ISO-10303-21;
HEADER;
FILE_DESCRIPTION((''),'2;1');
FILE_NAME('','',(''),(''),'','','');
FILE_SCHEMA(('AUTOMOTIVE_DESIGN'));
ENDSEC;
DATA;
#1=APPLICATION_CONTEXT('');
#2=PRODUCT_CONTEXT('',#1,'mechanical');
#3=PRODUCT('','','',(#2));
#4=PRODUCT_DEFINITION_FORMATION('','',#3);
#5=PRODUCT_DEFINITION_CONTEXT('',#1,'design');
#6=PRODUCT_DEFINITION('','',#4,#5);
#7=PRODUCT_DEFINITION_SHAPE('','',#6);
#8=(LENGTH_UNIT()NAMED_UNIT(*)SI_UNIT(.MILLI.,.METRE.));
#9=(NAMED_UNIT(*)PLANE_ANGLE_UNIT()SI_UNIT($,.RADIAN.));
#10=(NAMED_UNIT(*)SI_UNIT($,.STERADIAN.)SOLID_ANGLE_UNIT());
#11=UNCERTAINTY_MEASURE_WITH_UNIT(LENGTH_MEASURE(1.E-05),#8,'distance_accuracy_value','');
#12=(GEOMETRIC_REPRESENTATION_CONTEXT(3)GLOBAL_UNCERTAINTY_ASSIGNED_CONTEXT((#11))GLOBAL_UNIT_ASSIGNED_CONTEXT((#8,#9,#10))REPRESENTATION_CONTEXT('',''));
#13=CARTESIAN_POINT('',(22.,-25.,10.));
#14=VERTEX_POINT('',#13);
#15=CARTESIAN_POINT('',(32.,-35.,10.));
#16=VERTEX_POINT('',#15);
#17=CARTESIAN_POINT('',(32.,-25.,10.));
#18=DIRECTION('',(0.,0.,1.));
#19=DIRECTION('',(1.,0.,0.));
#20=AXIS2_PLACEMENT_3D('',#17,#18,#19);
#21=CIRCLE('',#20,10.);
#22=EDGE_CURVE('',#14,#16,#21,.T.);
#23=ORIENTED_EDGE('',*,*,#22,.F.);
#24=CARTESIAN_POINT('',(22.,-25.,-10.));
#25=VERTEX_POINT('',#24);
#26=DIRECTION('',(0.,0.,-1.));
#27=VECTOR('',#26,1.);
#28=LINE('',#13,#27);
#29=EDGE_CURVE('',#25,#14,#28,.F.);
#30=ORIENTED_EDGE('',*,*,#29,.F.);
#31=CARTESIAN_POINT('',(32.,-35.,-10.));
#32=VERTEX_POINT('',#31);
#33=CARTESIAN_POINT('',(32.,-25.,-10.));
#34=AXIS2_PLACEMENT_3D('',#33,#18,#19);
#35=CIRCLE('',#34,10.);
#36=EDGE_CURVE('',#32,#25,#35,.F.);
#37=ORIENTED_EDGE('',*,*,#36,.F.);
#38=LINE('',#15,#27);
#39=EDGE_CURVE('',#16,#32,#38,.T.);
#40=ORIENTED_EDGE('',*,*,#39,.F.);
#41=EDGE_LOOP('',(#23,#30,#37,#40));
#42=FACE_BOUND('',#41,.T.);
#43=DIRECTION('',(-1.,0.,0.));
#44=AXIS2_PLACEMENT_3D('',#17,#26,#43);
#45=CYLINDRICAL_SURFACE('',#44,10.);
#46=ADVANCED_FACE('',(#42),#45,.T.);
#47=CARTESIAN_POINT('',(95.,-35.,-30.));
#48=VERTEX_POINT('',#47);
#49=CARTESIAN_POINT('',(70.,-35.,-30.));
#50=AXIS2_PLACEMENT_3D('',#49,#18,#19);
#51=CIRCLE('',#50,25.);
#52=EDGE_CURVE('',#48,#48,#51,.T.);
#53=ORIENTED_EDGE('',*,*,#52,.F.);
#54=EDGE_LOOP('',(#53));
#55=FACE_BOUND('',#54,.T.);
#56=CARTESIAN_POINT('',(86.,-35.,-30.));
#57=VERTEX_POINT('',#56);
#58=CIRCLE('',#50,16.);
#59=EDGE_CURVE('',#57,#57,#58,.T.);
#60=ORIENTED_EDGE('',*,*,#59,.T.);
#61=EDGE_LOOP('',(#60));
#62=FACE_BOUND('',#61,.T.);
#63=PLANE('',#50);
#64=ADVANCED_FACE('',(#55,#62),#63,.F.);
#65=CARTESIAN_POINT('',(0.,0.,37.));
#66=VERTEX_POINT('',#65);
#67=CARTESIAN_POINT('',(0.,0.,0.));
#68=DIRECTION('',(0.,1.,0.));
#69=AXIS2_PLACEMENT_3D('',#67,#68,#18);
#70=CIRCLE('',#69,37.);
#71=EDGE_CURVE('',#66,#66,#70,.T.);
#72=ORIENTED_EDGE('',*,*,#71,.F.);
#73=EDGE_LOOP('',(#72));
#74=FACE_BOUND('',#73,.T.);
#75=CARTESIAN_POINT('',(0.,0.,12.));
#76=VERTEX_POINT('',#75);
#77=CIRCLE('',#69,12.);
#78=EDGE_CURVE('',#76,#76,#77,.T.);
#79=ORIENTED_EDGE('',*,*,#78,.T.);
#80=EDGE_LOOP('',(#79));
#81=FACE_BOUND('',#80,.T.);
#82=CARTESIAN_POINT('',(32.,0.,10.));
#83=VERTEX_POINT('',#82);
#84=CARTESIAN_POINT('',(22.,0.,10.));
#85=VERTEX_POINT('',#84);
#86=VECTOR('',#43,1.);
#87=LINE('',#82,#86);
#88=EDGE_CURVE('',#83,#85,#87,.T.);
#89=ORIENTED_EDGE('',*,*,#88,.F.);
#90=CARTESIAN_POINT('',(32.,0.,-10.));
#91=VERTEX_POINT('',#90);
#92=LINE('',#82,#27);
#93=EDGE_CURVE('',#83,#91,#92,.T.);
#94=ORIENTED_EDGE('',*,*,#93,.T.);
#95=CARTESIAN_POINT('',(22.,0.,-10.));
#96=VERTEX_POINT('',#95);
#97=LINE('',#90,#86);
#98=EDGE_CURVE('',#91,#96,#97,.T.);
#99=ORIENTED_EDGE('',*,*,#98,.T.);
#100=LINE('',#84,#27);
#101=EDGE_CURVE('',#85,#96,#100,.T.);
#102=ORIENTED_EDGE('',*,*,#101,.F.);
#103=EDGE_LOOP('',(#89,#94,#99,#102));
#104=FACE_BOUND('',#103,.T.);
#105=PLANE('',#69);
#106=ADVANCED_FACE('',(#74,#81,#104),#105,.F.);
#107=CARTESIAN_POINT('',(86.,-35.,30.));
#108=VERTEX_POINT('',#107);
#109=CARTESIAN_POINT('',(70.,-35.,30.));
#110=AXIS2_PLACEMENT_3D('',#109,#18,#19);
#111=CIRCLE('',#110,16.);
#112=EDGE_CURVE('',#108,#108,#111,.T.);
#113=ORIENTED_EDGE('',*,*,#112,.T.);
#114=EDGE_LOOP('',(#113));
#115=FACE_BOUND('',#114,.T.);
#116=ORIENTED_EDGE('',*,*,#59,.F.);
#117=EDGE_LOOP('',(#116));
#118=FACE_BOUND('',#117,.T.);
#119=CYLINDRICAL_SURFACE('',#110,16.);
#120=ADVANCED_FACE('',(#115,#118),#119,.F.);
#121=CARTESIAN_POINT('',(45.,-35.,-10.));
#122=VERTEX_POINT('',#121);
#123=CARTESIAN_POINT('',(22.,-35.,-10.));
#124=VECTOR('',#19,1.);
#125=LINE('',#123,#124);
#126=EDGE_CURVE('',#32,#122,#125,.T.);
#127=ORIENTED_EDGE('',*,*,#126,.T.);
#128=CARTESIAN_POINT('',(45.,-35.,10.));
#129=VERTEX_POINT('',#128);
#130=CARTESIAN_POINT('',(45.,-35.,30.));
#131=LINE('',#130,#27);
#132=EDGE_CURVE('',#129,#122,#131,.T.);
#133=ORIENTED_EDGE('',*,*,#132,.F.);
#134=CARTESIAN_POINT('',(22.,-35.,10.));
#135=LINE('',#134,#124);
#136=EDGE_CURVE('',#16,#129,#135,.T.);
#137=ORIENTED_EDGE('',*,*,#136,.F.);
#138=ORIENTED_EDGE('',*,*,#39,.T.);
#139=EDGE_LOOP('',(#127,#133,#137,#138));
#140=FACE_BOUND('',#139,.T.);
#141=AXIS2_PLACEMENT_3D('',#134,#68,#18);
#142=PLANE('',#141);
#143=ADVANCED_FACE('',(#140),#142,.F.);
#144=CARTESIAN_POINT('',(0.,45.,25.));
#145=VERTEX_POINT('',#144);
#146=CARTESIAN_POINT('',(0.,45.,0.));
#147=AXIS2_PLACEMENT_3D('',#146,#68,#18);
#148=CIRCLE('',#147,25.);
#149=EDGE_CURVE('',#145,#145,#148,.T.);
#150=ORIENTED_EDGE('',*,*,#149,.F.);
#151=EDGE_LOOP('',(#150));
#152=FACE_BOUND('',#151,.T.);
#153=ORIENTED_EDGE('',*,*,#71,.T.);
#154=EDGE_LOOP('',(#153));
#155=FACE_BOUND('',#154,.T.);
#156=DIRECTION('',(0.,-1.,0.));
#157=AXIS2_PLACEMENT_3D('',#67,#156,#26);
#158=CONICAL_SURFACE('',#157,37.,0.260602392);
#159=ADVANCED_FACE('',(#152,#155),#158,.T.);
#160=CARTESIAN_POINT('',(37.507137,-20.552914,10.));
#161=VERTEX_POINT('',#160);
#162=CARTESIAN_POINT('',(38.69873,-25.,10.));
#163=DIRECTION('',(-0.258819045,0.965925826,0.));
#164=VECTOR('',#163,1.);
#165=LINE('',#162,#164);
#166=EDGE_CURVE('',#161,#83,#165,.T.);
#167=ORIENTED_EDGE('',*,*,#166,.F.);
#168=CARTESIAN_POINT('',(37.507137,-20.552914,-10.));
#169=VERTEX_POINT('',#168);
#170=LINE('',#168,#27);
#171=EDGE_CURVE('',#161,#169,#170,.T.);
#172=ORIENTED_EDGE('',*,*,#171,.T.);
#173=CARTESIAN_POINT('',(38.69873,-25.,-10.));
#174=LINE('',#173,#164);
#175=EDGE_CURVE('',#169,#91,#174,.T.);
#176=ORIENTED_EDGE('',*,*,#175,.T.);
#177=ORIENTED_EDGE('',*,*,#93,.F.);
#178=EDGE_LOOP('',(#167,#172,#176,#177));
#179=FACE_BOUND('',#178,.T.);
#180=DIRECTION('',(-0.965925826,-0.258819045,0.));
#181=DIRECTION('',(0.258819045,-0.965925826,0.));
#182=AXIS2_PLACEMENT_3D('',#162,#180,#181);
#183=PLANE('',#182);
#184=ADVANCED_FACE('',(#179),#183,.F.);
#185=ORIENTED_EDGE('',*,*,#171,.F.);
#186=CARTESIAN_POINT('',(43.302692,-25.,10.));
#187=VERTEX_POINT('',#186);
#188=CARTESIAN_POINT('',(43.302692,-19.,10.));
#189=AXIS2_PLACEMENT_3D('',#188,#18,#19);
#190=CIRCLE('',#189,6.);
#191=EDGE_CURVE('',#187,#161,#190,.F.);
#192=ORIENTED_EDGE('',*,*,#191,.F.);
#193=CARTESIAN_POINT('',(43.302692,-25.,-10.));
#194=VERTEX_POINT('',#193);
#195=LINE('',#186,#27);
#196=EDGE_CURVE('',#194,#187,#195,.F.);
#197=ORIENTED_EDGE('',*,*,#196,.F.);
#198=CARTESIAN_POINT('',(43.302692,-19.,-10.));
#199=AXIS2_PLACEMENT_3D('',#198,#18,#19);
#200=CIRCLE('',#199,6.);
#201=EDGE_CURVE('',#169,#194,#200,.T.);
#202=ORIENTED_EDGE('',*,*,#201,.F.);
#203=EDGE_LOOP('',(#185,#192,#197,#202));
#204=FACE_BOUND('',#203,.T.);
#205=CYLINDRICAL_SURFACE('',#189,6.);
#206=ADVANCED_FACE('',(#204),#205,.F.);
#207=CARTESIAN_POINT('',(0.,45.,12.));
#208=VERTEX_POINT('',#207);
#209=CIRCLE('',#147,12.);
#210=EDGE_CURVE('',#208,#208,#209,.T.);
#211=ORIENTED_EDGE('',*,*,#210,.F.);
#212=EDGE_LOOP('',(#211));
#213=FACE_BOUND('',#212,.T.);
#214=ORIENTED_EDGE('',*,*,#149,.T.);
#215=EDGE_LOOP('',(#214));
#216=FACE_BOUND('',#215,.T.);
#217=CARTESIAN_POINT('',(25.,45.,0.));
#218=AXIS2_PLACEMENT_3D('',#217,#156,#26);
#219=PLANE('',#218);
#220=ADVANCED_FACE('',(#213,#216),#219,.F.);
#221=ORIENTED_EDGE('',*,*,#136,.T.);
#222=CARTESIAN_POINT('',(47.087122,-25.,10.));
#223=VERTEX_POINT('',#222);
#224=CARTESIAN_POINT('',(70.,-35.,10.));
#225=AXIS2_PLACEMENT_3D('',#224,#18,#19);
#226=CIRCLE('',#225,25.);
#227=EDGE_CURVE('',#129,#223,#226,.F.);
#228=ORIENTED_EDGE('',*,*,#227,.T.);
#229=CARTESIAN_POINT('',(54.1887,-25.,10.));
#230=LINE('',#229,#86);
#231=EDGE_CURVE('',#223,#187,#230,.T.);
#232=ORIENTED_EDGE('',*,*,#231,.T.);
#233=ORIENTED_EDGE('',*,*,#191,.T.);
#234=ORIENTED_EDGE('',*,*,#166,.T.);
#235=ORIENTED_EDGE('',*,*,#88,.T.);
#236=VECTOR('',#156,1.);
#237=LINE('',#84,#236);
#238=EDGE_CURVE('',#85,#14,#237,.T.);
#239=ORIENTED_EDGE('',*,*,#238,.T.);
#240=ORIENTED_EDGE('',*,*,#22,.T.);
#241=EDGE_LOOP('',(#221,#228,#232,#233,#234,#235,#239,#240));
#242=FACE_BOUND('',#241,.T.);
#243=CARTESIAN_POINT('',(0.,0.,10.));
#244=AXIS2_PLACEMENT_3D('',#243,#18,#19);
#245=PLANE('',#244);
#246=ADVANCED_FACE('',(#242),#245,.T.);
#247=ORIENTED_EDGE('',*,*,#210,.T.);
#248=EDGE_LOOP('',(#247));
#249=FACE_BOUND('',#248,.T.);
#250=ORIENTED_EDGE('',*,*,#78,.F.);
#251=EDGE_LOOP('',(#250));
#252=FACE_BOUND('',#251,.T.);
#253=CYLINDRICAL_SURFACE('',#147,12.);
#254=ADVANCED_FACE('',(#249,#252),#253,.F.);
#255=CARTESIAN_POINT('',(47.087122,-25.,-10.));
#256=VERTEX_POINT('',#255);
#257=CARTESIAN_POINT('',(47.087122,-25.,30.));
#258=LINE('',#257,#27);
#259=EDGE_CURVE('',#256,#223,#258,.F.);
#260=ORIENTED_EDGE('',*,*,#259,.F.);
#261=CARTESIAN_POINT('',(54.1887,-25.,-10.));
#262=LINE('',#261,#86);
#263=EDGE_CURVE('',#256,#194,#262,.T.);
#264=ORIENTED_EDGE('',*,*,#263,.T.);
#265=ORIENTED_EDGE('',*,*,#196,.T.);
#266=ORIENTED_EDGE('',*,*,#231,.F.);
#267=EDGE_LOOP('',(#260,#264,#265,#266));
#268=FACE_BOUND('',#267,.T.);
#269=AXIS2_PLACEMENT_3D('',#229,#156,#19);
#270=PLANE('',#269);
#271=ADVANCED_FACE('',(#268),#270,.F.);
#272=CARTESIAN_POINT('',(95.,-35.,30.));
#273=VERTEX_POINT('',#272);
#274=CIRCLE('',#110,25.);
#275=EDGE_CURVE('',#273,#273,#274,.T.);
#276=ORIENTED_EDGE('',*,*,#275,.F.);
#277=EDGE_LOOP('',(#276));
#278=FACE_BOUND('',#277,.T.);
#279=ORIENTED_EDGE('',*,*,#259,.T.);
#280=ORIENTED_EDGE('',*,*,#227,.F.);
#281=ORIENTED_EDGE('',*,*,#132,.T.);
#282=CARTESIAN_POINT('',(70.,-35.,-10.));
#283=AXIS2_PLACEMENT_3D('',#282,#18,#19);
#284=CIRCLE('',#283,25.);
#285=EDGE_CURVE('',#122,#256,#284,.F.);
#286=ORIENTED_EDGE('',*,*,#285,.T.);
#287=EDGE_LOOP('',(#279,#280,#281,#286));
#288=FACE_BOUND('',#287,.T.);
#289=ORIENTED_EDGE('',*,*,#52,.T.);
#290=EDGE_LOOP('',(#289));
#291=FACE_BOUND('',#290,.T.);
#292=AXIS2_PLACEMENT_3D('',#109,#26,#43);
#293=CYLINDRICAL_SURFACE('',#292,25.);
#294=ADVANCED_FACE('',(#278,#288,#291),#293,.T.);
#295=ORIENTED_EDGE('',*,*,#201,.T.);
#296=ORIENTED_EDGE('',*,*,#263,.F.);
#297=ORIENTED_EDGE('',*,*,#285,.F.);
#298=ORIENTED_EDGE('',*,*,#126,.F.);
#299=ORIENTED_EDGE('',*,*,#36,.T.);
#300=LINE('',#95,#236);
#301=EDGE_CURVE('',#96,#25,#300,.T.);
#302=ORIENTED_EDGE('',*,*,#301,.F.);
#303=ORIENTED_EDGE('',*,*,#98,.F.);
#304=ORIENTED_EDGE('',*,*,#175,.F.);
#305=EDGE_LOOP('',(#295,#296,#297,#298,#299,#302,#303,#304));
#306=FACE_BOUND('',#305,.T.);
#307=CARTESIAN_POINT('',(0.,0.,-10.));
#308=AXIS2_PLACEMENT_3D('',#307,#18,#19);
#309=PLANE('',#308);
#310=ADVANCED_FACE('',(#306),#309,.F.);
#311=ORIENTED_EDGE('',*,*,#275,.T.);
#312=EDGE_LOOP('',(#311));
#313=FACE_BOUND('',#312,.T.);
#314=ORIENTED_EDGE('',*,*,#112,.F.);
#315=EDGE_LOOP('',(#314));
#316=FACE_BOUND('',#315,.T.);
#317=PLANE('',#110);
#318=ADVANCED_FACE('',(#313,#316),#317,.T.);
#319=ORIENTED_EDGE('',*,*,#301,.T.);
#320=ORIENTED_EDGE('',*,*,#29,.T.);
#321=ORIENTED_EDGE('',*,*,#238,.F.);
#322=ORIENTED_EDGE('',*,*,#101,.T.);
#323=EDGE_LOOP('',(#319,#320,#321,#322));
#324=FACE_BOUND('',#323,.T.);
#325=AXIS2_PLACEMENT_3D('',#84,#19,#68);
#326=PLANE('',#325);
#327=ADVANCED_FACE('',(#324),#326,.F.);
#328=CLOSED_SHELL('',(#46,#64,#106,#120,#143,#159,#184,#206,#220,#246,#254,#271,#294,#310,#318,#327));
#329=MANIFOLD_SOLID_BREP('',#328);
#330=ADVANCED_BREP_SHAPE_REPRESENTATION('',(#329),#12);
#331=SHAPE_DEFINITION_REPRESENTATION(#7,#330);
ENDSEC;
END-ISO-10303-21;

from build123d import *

# Parameters (mm, degrees)
SKETCH2_R             = 25
BOSS_EXTRUDE1_DEPTH   = 30
BOSS_EXTRUDE2_DEPTH   = 10
FILLET1_R             = 10
FILLET2_R             = 6
F_1_0MM_DOWEL_HOLE1_D = 24
F_1_0MM_DOWEL_HOLE2_D = 32


with BuildPart() as part:
    # Sketch1 → Revolve1 (revolve)
    with BuildSketch(Plane.XY, mode=Mode.PRIVATE) as revolve1_sk:
        Polygon((0, 0), (37, 0), (25, 45), (0, 45), align=None)
    revolve(revolve1_sk.sketch.rotate(Axis((0, 45, 0), (0, -1, 0)), 90), axis=Axis((0, 45, 0), (0, -1, 0)))



with BuildPart() as body_2:
    # Sketch2 → Boss-Extrude1 (new, symmetric)
    with BuildSketch(Plane.XY):
        with Locations((70, -35)):
            Circle(SKETCH2_R)
    extrude(amount=BOSS_EXTRUDE1_DEPTH, both=True)


with BuildPart() as part_1:
    add(part.part)

    add(body_2.part)  # Boss-Extrude2 merges body 2
    # Sketch3 → Boss-Extrude2 (add, symmetric)
    with BuildSketch(Plane.XY):
        Polygon((22, 0), (22, -35), (54.188700462, -35), (54.188700462, -25), (38.698729811, -25), (32, 0), align=None)
    extrude(amount=BOSS_EXTRUDE2_DEPTH, both=True)

    # Fillet1
    fillet1_edges = [part_1.edges().sort_by_distance(p)[0] for p in [
        (22, -35, 0),
    ]]
    fillet(fillet1_edges, radius=FILLET1_R)

    # Fillet2
    fillet2_edges = [part_1.edges().sort_by_distance(p)[0] for p in [
        (38.698729811, -25, 0),
    ]]
    fillet(fillet2_edges, radius=FILLET2_R)

    # Ø1.0mm Dowel Hole1 (through all)
    with Locations(Plane(origin=(0, 45, 0), x_dir=(1, 0, 0), z_dir=(0, 1, 0))):
        with Locations((0, 0)):
            Hole(F_1_0MM_DOWEL_HOLE1_D / 2)

    # Ø1.0mm Dowel Hole2 (through all)
    with Locations(Plane.XY.offset(30)):
        with Locations((70, -35)):
            Hole(F_1_0MM_DOWEL_HOLE2_D / 2)


solid = part_1.part
